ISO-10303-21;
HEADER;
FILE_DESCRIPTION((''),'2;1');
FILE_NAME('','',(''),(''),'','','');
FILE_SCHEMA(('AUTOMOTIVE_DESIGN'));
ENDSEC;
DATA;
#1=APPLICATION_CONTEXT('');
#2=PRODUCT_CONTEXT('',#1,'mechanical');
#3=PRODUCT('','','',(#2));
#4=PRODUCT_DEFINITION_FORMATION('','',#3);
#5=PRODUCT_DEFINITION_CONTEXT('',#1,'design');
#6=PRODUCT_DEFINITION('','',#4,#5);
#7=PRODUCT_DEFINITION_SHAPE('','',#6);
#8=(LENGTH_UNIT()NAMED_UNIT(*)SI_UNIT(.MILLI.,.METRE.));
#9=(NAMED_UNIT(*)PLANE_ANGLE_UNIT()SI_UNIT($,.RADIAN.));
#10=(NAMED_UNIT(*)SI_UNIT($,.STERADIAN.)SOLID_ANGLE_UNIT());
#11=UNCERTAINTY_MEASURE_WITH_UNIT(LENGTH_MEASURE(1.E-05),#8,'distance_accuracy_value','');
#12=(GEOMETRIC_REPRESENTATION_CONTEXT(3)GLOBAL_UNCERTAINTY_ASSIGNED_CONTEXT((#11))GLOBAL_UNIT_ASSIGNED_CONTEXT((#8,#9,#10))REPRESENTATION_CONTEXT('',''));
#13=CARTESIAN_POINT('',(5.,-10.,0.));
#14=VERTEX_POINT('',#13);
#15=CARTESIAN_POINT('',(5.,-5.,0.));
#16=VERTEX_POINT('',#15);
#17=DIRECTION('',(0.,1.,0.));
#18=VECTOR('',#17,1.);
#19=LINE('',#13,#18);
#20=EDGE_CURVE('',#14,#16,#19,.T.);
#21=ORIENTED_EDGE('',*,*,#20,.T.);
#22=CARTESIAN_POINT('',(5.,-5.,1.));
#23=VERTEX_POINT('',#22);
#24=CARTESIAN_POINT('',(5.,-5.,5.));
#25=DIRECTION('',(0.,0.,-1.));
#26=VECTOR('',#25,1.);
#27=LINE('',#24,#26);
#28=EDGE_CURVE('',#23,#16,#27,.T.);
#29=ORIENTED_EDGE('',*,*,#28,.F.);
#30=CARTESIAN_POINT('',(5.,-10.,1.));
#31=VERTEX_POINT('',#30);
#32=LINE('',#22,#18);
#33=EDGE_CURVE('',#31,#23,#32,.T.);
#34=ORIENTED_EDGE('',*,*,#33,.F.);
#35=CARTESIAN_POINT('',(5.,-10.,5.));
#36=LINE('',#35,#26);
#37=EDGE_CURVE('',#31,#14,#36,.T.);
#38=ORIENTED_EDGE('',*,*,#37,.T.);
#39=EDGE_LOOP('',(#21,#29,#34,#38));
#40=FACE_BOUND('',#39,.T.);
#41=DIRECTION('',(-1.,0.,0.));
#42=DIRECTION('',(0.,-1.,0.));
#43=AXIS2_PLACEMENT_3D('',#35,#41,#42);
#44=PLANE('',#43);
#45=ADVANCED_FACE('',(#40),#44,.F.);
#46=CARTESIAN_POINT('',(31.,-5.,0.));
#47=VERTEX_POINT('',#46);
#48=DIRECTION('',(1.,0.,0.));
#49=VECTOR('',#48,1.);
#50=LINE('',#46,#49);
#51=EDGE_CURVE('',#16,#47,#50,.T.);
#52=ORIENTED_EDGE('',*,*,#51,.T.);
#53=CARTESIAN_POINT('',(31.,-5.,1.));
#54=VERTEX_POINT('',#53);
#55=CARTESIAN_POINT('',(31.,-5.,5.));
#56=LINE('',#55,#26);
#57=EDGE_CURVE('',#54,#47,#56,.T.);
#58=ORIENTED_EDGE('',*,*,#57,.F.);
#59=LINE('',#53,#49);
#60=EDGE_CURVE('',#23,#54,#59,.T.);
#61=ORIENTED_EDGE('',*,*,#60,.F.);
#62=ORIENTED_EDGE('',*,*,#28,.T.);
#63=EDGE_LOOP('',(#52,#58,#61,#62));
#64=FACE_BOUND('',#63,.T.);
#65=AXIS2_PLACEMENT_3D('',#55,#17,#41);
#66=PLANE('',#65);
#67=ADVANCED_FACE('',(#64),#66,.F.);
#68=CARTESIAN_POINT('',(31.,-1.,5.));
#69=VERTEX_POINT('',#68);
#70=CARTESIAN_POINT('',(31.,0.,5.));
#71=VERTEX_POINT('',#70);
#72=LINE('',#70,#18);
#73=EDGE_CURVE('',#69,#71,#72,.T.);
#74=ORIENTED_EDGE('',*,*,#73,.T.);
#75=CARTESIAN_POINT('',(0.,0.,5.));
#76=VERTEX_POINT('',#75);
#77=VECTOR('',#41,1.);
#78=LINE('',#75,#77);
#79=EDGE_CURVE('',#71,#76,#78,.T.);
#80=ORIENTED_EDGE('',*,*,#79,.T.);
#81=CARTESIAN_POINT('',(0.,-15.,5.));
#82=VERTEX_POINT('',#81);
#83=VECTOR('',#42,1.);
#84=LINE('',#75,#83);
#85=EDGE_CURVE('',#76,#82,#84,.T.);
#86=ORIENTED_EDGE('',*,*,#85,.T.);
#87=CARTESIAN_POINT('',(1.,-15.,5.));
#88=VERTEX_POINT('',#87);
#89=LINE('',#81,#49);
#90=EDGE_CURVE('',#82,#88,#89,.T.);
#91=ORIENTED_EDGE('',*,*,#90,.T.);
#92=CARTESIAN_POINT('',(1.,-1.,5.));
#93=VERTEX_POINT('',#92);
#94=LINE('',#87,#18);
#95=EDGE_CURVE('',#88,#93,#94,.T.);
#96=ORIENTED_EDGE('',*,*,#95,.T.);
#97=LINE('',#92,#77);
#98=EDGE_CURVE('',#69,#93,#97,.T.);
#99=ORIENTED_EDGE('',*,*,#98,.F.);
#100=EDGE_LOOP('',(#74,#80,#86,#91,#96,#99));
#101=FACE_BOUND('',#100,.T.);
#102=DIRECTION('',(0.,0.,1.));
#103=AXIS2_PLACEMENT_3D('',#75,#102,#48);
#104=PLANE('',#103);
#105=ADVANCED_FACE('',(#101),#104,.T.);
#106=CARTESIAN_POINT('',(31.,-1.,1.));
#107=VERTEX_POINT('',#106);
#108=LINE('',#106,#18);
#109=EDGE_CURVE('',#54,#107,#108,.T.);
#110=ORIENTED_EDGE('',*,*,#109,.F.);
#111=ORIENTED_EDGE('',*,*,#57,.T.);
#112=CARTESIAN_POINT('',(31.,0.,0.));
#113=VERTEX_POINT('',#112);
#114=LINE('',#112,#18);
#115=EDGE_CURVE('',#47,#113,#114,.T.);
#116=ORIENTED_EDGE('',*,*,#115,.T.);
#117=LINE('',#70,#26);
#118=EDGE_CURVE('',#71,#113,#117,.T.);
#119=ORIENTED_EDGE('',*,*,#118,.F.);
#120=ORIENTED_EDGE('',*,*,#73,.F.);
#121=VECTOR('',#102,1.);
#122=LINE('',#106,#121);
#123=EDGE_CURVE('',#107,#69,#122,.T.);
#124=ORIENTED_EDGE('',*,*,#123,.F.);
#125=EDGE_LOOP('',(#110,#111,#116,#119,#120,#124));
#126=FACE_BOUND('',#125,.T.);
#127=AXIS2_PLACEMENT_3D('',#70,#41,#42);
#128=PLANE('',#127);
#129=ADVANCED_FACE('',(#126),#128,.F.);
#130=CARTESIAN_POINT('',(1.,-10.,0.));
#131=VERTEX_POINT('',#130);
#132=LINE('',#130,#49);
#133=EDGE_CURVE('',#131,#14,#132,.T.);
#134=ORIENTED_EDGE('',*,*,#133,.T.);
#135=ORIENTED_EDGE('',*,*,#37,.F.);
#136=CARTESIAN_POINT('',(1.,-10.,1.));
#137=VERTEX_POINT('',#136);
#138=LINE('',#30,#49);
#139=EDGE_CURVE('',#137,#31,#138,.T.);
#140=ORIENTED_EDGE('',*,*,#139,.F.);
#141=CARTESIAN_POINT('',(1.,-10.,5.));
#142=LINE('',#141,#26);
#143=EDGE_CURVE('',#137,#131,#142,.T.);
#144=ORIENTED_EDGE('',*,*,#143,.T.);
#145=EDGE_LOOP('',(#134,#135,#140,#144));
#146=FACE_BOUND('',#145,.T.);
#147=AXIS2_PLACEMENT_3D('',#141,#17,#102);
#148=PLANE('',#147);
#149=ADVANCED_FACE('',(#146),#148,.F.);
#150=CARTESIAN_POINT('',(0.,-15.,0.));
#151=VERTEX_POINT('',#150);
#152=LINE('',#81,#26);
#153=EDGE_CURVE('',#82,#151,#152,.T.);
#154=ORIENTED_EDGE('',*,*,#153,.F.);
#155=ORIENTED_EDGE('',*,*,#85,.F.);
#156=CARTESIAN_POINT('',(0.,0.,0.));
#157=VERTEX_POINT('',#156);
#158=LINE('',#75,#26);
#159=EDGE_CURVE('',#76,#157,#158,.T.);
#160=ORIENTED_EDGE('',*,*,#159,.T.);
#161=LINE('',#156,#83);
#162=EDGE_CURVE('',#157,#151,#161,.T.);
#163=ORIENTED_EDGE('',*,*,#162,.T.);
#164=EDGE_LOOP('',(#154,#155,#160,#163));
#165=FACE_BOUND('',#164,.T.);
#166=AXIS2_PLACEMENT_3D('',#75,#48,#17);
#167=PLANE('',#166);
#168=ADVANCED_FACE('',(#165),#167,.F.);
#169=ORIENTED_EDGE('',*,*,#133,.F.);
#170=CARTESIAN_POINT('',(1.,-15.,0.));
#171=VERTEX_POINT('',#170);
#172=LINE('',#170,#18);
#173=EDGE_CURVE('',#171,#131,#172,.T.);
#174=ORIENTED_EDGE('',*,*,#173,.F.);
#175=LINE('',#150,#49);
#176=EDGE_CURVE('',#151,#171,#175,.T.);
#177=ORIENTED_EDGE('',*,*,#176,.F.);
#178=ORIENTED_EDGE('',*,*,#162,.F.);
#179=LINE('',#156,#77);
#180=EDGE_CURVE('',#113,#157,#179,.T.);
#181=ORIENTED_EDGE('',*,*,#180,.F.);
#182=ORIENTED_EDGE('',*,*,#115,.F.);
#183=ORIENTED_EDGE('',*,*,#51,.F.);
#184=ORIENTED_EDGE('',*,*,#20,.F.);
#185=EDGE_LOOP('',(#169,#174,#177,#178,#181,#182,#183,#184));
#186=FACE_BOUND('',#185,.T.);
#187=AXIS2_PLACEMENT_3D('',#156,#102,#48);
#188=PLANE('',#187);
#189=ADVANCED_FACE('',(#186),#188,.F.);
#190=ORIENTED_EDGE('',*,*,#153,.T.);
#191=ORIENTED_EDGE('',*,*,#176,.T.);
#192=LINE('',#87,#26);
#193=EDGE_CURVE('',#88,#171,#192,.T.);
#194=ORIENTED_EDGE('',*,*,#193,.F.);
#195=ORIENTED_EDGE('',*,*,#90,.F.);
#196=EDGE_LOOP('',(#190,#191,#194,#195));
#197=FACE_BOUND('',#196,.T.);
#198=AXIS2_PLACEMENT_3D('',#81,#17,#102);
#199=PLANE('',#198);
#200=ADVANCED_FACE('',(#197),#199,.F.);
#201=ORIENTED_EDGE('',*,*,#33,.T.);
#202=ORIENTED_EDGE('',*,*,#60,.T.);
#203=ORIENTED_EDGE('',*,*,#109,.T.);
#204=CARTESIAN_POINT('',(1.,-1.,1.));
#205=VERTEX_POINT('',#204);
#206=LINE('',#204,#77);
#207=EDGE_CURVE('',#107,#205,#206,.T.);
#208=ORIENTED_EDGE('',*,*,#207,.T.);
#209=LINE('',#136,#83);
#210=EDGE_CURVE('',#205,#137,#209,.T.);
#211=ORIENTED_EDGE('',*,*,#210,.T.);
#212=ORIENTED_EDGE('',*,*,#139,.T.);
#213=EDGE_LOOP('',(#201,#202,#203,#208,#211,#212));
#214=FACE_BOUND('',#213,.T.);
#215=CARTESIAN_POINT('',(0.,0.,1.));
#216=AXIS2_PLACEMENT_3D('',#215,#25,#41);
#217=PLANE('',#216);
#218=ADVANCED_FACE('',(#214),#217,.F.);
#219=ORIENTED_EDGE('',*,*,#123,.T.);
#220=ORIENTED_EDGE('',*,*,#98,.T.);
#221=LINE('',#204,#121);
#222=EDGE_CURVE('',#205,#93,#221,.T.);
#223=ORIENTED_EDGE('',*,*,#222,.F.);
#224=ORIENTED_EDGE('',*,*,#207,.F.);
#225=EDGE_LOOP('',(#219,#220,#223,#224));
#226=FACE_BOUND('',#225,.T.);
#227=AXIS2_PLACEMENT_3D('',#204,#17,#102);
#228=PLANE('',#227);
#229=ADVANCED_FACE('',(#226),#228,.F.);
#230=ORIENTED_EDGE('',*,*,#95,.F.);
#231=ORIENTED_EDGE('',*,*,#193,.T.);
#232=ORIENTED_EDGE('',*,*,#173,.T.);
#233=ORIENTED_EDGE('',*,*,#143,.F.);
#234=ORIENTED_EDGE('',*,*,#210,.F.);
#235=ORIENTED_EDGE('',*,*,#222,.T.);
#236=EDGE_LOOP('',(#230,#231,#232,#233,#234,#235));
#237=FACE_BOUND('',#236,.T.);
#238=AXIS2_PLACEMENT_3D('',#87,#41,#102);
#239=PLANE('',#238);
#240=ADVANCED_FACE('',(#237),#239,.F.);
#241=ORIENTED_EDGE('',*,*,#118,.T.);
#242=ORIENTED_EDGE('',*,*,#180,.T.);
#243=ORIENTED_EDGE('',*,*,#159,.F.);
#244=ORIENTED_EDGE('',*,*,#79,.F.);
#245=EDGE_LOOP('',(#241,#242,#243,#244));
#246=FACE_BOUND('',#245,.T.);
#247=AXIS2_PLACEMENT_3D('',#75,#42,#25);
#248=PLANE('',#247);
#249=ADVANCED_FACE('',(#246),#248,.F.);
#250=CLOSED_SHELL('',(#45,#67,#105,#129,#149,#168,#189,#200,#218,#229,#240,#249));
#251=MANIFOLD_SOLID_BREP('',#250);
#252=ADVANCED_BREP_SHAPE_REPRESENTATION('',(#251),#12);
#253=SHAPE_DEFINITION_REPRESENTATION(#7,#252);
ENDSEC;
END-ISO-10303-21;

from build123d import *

# Parameters (mm, degrees)
BOSS_EXTRU_1_DEPTH      = 5
ENL_V_MAT_EXTRU_1_DEPTH = 4


with BuildPart() as part:
    # Esquisse1 → Boss.-Extru.1 (new body)
    with BuildSketch(Plane.XY):
        Polygon((0, 0), (31, 0), (31, -5), (5, -5), (5, -10), (1, -10), (1, -15), (0, -15), align=None)
    extrude(amount=BOSS_EXTRU_1_DEPTH)

    # Esquisse2 → Enlèv. mat.-Extru.1 (cut)
    with BuildSketch(Plane.XY.offset(5)):
        Polygon((1, -10), (1, -1), (31, -1), (31, -5), (5, -5), (5, -10), align=None)
    extrude(amount=-ENL_V_MAT_EXTRU_1_DEPTH, mode=Mode.SUBTRACT)


solid = part.part
